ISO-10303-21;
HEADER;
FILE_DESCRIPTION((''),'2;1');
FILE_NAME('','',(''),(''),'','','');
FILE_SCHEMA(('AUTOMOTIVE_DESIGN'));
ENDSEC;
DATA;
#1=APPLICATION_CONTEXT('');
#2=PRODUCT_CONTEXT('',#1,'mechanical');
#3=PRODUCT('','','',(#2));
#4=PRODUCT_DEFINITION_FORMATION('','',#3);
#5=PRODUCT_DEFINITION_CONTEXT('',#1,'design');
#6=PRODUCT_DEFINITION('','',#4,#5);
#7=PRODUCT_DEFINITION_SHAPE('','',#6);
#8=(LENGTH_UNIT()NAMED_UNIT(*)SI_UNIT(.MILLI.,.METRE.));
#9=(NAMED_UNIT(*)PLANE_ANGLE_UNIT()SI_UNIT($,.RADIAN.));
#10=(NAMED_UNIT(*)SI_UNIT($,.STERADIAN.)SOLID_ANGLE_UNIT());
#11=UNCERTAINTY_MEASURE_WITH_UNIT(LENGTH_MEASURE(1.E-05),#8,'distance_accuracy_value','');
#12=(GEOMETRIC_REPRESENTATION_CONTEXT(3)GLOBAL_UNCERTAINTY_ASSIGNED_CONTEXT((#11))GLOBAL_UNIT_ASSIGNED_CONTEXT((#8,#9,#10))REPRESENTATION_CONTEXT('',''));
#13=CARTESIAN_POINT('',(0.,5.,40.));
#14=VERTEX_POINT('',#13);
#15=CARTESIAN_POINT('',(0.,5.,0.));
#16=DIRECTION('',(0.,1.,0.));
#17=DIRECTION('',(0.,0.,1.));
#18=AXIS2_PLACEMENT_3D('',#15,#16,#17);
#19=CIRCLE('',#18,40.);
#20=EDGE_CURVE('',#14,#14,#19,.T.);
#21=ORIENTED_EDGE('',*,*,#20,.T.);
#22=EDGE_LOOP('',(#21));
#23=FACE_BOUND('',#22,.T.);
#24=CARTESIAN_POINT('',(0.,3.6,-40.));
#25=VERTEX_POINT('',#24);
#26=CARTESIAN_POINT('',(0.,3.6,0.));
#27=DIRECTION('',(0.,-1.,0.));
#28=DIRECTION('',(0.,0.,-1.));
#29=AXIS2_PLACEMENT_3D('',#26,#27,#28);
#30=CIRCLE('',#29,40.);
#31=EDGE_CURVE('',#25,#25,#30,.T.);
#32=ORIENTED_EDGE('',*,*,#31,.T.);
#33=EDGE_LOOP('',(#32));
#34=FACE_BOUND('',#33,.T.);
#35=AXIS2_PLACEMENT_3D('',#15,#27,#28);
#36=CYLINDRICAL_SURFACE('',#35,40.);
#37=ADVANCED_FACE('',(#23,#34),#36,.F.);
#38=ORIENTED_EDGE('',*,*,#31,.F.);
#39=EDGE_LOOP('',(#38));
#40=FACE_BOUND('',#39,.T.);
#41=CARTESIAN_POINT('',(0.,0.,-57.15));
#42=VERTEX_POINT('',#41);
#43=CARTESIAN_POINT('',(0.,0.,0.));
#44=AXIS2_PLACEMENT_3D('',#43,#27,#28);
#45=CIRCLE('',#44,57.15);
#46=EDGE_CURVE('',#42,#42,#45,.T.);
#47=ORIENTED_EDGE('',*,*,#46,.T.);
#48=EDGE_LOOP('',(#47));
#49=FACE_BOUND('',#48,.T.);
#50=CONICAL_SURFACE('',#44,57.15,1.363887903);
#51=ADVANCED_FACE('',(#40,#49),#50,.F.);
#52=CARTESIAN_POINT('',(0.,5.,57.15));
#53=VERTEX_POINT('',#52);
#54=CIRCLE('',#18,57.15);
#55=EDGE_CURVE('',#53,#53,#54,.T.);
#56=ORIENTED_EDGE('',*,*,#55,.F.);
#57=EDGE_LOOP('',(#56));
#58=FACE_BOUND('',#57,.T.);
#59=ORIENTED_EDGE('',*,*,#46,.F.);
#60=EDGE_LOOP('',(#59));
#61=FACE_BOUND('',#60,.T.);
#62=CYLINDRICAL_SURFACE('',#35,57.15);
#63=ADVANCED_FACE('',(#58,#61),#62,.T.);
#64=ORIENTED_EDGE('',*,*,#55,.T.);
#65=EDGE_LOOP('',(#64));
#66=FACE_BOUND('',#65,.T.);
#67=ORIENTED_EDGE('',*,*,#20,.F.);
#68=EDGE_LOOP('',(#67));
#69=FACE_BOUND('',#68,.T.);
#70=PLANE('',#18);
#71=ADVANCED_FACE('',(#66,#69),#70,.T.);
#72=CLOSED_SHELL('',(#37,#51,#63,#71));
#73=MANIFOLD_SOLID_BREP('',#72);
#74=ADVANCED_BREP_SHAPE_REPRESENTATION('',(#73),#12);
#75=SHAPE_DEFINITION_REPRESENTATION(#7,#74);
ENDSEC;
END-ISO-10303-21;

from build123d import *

# Parameters (mm, degrees)
SKETCH1_R           = 57.15
SKETCH1_R_2         = 40
BOSS_EXTRUDE1_DEPTH = 5


with BuildPart() as part:
    # Sketch1 → Boss-Extrude1 (new body)
    with BuildSketch(Plane(origin=(0, 0, 0), x_dir=(1, 0, 0), z_dir=(0, 1, 0))):
        Circle(SKETCH1_R)
        Circle(SKETCH1_R_2, mode=Mode.SUBTRACT)
    extrude(amount=BOSS_EXTRUDE1_DEPTH)

    # Sketch2 → Cut-Revolve1 (revolve, cut)
    with BuildSketch(Plane.XY):
        Polygon((40, 0), (40, 3.6), (57.15, 0), align=None)
    revolve(axis=Axis((0, 0, 0), (0, 1, 0)), mode=Mode.SUBTRACT)


solid = part.part
